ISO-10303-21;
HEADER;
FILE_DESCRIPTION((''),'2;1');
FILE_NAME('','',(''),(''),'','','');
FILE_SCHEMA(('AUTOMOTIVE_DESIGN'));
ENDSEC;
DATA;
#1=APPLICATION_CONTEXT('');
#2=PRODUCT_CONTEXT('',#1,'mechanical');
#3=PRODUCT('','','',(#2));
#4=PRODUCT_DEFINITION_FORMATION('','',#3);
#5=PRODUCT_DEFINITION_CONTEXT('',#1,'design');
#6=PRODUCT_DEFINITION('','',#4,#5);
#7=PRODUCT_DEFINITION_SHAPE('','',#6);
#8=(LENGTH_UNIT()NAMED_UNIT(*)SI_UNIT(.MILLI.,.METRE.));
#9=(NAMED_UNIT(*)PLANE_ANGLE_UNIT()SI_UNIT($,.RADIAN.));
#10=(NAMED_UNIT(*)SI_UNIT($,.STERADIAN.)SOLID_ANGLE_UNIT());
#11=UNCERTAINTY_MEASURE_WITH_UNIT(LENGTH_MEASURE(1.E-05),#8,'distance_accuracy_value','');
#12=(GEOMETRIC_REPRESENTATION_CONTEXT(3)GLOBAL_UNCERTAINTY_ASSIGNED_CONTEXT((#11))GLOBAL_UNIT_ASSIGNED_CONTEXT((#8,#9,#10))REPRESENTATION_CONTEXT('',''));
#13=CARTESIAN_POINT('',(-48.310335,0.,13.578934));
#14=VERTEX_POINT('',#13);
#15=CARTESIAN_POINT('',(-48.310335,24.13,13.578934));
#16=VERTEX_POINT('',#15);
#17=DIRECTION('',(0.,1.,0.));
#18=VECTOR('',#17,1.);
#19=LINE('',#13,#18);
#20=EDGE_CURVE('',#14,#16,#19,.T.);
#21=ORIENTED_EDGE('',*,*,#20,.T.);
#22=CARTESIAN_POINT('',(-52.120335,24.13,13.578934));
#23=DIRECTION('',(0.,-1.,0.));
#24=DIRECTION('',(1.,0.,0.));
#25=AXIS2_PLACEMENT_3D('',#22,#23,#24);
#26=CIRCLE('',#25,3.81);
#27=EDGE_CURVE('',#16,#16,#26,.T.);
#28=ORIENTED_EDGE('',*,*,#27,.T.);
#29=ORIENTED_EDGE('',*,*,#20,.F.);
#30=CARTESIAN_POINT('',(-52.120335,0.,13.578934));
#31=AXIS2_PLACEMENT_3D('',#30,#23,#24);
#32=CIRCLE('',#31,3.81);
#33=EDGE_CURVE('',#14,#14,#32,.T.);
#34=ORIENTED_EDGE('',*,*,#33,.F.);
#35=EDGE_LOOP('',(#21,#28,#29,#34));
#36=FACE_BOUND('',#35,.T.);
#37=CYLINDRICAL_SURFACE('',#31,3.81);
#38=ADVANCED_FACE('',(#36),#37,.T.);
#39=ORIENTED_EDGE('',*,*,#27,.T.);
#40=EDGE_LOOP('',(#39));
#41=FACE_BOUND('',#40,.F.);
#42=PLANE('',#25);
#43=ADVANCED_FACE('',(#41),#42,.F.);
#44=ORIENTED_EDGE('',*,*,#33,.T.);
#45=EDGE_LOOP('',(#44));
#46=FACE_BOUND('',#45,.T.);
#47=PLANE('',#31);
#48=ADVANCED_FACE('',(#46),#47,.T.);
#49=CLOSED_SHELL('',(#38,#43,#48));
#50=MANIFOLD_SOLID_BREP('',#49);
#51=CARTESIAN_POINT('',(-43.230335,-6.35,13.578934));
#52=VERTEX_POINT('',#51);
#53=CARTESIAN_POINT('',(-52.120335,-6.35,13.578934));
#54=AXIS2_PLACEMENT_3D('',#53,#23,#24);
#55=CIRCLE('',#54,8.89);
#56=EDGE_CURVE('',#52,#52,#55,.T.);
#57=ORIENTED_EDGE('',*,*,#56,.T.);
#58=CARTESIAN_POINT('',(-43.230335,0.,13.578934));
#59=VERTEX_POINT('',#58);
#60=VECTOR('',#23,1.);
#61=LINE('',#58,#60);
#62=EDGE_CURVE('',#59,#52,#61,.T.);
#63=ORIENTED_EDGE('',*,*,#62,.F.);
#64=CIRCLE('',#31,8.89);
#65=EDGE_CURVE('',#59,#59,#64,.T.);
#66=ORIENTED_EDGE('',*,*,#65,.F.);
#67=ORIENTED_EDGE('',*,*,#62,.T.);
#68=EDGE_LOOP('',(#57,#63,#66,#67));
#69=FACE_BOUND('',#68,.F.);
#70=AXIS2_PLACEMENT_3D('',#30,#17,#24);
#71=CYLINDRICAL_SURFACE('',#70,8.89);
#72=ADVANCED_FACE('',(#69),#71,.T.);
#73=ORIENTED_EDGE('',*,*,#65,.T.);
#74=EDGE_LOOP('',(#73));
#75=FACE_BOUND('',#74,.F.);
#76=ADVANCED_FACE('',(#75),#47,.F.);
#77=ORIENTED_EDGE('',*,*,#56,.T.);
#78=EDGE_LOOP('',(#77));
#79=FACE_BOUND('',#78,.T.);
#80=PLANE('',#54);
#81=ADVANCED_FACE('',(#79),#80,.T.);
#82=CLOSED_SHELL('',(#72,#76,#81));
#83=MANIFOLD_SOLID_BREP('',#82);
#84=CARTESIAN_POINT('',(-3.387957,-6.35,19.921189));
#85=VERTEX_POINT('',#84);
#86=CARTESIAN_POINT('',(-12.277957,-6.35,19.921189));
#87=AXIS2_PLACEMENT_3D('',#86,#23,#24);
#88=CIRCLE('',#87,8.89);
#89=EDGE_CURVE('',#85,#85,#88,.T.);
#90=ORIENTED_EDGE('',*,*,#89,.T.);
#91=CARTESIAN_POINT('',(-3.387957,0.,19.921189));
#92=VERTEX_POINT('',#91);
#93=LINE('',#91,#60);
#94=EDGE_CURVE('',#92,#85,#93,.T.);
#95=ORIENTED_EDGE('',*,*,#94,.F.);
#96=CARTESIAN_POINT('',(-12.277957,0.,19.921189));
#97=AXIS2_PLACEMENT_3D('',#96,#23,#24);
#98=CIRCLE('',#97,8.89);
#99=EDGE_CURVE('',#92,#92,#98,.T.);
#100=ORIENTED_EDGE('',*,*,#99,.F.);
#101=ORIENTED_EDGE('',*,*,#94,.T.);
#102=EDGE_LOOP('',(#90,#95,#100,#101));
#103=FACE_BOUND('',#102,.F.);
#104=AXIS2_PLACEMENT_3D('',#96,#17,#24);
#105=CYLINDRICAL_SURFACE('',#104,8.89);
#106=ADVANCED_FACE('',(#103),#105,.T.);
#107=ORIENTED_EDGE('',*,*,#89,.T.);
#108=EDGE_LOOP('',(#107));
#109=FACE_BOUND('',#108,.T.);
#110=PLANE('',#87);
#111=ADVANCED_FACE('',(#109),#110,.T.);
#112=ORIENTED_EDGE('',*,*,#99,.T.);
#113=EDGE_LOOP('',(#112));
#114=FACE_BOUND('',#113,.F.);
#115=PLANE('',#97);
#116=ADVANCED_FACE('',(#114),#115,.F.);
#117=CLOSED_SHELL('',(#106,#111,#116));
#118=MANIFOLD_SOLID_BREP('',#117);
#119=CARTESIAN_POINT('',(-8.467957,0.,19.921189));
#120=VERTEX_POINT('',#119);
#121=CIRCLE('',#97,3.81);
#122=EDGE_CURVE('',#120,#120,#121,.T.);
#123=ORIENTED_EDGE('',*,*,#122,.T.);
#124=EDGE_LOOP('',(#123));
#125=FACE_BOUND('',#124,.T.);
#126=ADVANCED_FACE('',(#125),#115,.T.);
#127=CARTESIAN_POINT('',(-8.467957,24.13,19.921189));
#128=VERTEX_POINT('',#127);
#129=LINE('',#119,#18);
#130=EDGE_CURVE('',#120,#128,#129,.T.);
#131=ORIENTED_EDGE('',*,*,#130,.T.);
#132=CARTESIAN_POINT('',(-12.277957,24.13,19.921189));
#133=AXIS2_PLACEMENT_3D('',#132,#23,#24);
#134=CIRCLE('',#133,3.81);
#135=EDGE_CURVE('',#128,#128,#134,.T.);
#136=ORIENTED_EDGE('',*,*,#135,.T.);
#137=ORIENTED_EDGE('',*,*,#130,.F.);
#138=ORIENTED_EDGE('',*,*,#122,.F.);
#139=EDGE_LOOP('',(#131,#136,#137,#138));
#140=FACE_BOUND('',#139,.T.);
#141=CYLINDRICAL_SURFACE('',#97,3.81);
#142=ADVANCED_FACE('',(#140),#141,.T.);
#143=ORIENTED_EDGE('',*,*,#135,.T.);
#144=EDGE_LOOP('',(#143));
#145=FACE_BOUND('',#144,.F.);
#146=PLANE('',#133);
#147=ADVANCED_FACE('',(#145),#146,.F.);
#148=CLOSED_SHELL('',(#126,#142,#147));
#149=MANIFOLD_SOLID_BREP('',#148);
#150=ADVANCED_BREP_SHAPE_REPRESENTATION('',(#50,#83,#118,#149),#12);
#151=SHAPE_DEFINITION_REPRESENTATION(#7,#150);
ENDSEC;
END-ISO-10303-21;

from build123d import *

# Parameters (mm, degrees)
F0_R     = 8.89
F1_DEPTH = 6.35
F2_R     = 3.81
F3_DEPTH = 24.13


with BuildPart() as f1:
    # F0 (on Front) → F1 (new body)
    with BuildSketch(Plane.XZ):
        with Locations((-52.120335, 13.578934)):
            Circle(F0_R)
        with Locations((-12.277957, 19.921189)):
            Circle(F0_R)
    extrude(amount=F1_DEPTH)


with BuildPart() as f3:
    # F2 (on Front) → F3 (new body)
    with BuildSketch(Plane.XZ):
        with Locations((-52.120335, 13.578934)):
            Circle(F2_R)
        with Locations((-12.277957, 19.921189)):
            Circle(F2_R)
    extrude(amount=-F3_DEPTH)


solid = Compound([f1.part, f3.part])
